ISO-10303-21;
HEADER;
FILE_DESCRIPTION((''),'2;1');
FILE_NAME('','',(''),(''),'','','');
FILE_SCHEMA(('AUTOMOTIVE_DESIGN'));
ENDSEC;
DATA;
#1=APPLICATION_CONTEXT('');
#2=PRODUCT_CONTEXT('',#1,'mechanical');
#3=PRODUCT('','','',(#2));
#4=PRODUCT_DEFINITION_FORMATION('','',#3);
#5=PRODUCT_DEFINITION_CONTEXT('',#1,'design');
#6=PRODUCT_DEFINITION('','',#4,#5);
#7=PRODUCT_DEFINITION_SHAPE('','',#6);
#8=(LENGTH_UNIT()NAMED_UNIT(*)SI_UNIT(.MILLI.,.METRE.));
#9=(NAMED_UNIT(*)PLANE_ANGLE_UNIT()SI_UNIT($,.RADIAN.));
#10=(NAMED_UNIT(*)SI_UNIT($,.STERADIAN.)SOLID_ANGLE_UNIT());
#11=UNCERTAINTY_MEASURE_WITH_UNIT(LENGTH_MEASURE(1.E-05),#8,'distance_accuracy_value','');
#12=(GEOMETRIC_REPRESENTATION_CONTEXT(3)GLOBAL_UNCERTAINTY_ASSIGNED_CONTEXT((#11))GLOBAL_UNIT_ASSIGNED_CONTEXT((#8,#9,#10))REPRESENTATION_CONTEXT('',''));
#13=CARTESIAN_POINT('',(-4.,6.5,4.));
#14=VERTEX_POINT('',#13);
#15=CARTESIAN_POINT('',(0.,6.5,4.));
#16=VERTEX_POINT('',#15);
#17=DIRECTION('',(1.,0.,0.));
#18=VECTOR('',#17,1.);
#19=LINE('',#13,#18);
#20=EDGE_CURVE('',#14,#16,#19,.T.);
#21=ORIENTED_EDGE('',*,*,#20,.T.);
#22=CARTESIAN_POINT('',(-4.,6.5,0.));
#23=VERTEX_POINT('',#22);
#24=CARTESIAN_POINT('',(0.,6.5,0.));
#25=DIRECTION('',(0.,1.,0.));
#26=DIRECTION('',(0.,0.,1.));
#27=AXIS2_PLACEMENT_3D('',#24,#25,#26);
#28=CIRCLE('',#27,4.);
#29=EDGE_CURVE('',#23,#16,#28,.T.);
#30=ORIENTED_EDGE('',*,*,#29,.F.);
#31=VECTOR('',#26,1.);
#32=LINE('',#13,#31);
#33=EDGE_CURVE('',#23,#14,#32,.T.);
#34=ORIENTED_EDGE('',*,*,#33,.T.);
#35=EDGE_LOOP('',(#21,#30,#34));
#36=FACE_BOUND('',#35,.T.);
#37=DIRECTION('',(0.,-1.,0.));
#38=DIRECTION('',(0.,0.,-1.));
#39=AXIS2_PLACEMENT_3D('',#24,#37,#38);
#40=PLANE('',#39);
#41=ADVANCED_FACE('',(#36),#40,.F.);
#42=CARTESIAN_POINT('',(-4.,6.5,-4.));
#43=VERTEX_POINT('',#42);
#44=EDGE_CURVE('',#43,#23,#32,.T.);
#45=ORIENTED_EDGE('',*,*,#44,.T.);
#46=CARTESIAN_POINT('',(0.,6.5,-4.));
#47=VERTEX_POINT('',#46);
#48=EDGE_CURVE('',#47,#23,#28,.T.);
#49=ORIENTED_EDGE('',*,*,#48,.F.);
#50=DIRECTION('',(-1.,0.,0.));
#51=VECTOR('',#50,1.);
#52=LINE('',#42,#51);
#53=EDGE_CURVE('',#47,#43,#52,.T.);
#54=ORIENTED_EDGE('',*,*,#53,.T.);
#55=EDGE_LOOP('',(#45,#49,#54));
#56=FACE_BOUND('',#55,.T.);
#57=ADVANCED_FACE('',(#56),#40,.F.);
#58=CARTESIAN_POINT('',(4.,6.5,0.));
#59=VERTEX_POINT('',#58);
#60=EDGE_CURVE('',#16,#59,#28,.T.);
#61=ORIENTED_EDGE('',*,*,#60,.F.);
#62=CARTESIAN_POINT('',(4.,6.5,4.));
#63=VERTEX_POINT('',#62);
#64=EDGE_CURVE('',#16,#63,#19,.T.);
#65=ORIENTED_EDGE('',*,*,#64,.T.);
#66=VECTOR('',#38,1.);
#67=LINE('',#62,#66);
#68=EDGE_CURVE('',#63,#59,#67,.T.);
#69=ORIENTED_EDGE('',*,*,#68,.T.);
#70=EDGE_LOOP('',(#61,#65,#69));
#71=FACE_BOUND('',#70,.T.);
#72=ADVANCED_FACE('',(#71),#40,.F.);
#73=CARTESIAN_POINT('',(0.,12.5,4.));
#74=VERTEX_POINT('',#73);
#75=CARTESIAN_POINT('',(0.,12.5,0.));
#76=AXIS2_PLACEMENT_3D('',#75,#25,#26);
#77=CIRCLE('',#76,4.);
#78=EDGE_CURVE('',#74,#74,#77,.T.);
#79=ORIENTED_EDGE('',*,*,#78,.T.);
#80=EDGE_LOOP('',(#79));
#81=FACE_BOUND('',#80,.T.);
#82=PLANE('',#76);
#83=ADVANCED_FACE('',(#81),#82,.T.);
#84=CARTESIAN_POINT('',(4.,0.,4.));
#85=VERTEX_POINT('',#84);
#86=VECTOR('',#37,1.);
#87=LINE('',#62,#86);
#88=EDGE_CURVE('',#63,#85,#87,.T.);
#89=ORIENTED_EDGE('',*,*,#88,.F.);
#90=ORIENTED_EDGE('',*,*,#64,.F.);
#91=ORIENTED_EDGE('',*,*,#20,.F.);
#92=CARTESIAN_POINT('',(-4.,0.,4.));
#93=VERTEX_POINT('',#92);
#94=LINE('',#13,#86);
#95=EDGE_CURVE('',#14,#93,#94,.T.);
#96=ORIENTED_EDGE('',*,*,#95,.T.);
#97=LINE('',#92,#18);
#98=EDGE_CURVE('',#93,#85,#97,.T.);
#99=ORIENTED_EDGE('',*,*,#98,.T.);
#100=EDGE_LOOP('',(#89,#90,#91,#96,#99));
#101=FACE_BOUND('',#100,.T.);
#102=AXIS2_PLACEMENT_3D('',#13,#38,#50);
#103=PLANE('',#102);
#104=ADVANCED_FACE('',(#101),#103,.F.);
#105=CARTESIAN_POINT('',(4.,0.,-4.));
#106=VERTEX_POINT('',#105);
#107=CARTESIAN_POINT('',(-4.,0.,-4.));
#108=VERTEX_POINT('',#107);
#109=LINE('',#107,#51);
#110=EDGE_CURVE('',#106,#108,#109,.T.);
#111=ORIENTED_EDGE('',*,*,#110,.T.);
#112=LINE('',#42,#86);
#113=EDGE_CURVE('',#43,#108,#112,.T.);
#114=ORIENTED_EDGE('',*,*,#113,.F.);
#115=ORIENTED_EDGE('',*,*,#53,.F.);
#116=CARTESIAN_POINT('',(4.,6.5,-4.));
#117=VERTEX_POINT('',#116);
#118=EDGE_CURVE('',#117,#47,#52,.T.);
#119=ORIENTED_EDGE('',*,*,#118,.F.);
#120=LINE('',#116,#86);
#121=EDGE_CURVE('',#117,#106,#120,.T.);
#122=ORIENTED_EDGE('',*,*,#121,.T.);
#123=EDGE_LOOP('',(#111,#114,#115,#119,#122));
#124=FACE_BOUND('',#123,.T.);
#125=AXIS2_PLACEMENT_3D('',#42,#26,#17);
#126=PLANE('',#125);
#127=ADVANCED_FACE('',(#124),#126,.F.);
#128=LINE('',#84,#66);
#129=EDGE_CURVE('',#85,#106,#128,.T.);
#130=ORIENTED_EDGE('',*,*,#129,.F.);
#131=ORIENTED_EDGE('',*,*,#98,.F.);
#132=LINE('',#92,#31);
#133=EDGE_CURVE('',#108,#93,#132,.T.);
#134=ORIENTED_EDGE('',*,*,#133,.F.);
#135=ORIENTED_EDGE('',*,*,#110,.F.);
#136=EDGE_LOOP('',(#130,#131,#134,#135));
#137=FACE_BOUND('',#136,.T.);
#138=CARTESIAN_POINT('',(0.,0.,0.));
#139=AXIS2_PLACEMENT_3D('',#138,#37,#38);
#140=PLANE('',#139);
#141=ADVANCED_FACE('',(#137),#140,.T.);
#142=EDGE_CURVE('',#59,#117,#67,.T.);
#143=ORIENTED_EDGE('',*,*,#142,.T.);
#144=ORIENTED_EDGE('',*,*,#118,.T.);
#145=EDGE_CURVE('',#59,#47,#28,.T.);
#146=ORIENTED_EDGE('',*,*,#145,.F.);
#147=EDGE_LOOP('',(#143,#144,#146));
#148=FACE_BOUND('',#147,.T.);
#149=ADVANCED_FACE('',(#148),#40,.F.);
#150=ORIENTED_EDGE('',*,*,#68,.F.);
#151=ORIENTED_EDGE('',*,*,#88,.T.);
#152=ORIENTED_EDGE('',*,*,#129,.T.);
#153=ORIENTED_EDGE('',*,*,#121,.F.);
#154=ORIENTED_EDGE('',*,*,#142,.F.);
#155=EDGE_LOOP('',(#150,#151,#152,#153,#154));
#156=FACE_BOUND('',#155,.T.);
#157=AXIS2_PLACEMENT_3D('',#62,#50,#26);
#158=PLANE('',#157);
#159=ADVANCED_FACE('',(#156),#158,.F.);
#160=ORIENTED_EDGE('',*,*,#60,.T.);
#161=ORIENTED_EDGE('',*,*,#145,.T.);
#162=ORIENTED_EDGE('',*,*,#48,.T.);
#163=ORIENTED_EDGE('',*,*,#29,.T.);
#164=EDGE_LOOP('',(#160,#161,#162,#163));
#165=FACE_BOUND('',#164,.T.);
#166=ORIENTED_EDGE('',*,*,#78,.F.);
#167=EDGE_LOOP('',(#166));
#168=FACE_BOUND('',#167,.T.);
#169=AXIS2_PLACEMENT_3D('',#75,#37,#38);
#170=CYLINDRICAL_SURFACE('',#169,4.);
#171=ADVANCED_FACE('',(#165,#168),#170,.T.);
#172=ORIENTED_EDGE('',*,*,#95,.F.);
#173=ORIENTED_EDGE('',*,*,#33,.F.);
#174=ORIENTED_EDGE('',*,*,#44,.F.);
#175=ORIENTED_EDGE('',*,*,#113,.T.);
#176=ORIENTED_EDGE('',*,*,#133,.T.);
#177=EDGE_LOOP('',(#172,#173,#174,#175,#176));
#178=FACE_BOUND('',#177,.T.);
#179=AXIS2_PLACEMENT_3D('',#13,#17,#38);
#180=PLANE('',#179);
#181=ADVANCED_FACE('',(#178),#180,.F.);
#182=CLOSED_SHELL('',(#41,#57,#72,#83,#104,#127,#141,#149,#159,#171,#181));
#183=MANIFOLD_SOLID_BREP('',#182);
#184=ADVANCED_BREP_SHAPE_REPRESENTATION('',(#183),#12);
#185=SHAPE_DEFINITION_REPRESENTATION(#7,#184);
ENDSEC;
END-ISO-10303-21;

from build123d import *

# Parameters (mm, degrees)
SZKIC1_W                    = 8
SZKIC1_H                    = 8
DODANIE_WYCI_GNI_CIE1_DEPTH = 6.5
SZKIC2_R                    = 4
DODANIE_WYCI_GNI_CIE2_DEPTH = 6


with BuildPart() as part:
    # Szkic1 → Dodanie-wyciągnięcie1 (new body)
    with BuildSketch(Plane(origin=(0, 0, 0), x_dir=(1, 0, 0), z_dir=(0, 1, 0))):
        Rectangle(SZKIC1_W, SZKIC1_H)
    extrude(amount=DODANIE_WYCI_GNI_CIE1_DEPTH)

    # Szkic2 → Dodanie-wyciągnięcie2 (add)
    with BuildSketch(Plane(origin=(0, 6.5, 0), x_dir=(1, 0, 0), z_dir=(0, 1, 0))):
        with Locations(Location((0, 0, 0), (0, 0, 270))):
            Circle(SZKIC2_R)
    extrude(amount=DODANIE_WYCI_GNI_CIE2_DEPTH)


solid = part.part
